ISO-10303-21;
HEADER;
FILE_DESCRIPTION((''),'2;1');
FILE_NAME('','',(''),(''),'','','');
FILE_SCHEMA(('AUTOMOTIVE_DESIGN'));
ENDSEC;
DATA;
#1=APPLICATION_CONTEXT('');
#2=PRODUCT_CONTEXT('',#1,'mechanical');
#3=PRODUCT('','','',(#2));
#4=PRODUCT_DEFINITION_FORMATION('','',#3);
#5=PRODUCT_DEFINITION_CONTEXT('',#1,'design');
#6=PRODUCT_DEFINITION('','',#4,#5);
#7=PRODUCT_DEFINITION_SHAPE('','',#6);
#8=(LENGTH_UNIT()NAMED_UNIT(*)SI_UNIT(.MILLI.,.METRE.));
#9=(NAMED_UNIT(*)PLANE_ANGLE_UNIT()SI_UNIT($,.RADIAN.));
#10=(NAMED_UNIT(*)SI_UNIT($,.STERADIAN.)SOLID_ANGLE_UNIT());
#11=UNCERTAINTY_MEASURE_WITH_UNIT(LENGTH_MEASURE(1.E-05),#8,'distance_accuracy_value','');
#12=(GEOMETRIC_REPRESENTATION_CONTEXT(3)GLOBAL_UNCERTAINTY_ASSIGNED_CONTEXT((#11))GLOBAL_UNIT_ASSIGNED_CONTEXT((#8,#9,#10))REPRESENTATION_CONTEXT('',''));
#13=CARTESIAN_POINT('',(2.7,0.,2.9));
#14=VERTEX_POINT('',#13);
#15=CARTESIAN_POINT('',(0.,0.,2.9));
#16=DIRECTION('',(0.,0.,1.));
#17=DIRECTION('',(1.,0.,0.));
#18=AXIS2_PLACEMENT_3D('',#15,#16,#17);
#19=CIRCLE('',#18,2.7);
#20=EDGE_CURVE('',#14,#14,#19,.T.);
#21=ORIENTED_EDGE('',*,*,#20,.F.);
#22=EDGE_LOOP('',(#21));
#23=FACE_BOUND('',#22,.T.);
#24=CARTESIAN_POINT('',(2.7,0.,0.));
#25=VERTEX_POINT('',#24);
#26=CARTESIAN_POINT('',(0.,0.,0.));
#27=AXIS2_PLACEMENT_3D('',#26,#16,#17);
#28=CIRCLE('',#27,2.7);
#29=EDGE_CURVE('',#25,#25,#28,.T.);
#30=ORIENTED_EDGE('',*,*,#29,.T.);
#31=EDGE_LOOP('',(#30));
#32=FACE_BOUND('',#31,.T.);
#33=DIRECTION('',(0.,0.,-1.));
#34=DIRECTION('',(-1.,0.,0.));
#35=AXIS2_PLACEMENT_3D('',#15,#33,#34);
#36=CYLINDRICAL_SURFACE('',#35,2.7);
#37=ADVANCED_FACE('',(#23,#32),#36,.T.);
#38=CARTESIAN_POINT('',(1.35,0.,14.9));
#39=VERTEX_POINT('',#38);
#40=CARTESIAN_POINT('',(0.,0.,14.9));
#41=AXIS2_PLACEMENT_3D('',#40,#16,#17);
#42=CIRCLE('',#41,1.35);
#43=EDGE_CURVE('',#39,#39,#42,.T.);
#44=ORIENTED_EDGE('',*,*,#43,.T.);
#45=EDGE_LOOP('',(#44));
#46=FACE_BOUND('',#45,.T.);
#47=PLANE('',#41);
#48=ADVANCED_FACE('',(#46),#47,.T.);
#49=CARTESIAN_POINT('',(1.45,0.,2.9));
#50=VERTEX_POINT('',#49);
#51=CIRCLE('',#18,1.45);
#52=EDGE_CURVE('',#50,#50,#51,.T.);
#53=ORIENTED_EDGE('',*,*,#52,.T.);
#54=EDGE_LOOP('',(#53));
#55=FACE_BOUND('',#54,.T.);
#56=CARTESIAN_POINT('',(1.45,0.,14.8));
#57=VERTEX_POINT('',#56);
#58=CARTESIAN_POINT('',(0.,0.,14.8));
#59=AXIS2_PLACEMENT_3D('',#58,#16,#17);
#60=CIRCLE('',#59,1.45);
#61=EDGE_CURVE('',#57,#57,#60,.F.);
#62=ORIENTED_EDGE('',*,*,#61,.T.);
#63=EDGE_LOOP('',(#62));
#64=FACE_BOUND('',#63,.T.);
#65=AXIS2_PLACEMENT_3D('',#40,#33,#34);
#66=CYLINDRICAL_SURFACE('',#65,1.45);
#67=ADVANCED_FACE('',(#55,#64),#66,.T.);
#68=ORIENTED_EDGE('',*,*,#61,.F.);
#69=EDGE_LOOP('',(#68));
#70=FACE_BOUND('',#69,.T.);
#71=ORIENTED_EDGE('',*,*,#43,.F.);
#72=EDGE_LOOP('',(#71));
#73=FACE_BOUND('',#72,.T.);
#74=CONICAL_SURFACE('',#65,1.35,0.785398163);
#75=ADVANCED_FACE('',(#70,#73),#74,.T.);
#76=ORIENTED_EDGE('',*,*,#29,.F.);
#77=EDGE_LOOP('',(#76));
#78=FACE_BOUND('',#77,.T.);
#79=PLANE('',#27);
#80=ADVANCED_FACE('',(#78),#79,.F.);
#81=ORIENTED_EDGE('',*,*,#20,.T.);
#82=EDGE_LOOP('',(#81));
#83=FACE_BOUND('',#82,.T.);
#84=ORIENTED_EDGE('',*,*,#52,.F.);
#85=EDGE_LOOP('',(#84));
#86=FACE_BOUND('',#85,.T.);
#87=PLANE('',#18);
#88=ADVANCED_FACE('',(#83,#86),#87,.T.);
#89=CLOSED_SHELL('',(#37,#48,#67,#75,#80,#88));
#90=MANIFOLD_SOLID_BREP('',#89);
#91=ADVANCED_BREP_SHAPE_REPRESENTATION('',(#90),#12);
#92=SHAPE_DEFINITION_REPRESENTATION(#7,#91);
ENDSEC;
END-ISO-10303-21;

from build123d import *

# Parameters (mm, degrees)
SKIZZE1_R                       = 2.7
AUFSATZ_LINEAR_AUSTRAGEN2_DEPTH = 2.9
SKIZZE3_R                       = 1.45
AUFSATZ_LINEAR_AUSTRAGEN3_DEPTH = 12
FASE1_SIZE                      = 0.1


with BuildPart() as part:
    # Skizze1 → Aufsatz-Linear austragen2 (new body)
    with BuildSketch(Plane.XY):
        Circle(SKIZZE1_R)
    extrude(amount=AUFSATZ_LINEAR_AUSTRAGEN2_DEPTH)

    # Skizze3 → Aufsatz-Linear austragen3 (add)
    with BuildSketch(Plane.XY.offset(2.9)):
        Circle(SKIZZE3_R)
    extrude(amount=AUFSATZ_LINEAR_AUSTRAGEN3_DEPTH)

    # Fase1
    fase1_edges = [part.edges().sort_by_distance(p)[0] for p in [
        (-1.45, 0, 14.9),
    ]]
    chamfer(fase1_edges, length=FASE1_SIZE)


solid = part.part
